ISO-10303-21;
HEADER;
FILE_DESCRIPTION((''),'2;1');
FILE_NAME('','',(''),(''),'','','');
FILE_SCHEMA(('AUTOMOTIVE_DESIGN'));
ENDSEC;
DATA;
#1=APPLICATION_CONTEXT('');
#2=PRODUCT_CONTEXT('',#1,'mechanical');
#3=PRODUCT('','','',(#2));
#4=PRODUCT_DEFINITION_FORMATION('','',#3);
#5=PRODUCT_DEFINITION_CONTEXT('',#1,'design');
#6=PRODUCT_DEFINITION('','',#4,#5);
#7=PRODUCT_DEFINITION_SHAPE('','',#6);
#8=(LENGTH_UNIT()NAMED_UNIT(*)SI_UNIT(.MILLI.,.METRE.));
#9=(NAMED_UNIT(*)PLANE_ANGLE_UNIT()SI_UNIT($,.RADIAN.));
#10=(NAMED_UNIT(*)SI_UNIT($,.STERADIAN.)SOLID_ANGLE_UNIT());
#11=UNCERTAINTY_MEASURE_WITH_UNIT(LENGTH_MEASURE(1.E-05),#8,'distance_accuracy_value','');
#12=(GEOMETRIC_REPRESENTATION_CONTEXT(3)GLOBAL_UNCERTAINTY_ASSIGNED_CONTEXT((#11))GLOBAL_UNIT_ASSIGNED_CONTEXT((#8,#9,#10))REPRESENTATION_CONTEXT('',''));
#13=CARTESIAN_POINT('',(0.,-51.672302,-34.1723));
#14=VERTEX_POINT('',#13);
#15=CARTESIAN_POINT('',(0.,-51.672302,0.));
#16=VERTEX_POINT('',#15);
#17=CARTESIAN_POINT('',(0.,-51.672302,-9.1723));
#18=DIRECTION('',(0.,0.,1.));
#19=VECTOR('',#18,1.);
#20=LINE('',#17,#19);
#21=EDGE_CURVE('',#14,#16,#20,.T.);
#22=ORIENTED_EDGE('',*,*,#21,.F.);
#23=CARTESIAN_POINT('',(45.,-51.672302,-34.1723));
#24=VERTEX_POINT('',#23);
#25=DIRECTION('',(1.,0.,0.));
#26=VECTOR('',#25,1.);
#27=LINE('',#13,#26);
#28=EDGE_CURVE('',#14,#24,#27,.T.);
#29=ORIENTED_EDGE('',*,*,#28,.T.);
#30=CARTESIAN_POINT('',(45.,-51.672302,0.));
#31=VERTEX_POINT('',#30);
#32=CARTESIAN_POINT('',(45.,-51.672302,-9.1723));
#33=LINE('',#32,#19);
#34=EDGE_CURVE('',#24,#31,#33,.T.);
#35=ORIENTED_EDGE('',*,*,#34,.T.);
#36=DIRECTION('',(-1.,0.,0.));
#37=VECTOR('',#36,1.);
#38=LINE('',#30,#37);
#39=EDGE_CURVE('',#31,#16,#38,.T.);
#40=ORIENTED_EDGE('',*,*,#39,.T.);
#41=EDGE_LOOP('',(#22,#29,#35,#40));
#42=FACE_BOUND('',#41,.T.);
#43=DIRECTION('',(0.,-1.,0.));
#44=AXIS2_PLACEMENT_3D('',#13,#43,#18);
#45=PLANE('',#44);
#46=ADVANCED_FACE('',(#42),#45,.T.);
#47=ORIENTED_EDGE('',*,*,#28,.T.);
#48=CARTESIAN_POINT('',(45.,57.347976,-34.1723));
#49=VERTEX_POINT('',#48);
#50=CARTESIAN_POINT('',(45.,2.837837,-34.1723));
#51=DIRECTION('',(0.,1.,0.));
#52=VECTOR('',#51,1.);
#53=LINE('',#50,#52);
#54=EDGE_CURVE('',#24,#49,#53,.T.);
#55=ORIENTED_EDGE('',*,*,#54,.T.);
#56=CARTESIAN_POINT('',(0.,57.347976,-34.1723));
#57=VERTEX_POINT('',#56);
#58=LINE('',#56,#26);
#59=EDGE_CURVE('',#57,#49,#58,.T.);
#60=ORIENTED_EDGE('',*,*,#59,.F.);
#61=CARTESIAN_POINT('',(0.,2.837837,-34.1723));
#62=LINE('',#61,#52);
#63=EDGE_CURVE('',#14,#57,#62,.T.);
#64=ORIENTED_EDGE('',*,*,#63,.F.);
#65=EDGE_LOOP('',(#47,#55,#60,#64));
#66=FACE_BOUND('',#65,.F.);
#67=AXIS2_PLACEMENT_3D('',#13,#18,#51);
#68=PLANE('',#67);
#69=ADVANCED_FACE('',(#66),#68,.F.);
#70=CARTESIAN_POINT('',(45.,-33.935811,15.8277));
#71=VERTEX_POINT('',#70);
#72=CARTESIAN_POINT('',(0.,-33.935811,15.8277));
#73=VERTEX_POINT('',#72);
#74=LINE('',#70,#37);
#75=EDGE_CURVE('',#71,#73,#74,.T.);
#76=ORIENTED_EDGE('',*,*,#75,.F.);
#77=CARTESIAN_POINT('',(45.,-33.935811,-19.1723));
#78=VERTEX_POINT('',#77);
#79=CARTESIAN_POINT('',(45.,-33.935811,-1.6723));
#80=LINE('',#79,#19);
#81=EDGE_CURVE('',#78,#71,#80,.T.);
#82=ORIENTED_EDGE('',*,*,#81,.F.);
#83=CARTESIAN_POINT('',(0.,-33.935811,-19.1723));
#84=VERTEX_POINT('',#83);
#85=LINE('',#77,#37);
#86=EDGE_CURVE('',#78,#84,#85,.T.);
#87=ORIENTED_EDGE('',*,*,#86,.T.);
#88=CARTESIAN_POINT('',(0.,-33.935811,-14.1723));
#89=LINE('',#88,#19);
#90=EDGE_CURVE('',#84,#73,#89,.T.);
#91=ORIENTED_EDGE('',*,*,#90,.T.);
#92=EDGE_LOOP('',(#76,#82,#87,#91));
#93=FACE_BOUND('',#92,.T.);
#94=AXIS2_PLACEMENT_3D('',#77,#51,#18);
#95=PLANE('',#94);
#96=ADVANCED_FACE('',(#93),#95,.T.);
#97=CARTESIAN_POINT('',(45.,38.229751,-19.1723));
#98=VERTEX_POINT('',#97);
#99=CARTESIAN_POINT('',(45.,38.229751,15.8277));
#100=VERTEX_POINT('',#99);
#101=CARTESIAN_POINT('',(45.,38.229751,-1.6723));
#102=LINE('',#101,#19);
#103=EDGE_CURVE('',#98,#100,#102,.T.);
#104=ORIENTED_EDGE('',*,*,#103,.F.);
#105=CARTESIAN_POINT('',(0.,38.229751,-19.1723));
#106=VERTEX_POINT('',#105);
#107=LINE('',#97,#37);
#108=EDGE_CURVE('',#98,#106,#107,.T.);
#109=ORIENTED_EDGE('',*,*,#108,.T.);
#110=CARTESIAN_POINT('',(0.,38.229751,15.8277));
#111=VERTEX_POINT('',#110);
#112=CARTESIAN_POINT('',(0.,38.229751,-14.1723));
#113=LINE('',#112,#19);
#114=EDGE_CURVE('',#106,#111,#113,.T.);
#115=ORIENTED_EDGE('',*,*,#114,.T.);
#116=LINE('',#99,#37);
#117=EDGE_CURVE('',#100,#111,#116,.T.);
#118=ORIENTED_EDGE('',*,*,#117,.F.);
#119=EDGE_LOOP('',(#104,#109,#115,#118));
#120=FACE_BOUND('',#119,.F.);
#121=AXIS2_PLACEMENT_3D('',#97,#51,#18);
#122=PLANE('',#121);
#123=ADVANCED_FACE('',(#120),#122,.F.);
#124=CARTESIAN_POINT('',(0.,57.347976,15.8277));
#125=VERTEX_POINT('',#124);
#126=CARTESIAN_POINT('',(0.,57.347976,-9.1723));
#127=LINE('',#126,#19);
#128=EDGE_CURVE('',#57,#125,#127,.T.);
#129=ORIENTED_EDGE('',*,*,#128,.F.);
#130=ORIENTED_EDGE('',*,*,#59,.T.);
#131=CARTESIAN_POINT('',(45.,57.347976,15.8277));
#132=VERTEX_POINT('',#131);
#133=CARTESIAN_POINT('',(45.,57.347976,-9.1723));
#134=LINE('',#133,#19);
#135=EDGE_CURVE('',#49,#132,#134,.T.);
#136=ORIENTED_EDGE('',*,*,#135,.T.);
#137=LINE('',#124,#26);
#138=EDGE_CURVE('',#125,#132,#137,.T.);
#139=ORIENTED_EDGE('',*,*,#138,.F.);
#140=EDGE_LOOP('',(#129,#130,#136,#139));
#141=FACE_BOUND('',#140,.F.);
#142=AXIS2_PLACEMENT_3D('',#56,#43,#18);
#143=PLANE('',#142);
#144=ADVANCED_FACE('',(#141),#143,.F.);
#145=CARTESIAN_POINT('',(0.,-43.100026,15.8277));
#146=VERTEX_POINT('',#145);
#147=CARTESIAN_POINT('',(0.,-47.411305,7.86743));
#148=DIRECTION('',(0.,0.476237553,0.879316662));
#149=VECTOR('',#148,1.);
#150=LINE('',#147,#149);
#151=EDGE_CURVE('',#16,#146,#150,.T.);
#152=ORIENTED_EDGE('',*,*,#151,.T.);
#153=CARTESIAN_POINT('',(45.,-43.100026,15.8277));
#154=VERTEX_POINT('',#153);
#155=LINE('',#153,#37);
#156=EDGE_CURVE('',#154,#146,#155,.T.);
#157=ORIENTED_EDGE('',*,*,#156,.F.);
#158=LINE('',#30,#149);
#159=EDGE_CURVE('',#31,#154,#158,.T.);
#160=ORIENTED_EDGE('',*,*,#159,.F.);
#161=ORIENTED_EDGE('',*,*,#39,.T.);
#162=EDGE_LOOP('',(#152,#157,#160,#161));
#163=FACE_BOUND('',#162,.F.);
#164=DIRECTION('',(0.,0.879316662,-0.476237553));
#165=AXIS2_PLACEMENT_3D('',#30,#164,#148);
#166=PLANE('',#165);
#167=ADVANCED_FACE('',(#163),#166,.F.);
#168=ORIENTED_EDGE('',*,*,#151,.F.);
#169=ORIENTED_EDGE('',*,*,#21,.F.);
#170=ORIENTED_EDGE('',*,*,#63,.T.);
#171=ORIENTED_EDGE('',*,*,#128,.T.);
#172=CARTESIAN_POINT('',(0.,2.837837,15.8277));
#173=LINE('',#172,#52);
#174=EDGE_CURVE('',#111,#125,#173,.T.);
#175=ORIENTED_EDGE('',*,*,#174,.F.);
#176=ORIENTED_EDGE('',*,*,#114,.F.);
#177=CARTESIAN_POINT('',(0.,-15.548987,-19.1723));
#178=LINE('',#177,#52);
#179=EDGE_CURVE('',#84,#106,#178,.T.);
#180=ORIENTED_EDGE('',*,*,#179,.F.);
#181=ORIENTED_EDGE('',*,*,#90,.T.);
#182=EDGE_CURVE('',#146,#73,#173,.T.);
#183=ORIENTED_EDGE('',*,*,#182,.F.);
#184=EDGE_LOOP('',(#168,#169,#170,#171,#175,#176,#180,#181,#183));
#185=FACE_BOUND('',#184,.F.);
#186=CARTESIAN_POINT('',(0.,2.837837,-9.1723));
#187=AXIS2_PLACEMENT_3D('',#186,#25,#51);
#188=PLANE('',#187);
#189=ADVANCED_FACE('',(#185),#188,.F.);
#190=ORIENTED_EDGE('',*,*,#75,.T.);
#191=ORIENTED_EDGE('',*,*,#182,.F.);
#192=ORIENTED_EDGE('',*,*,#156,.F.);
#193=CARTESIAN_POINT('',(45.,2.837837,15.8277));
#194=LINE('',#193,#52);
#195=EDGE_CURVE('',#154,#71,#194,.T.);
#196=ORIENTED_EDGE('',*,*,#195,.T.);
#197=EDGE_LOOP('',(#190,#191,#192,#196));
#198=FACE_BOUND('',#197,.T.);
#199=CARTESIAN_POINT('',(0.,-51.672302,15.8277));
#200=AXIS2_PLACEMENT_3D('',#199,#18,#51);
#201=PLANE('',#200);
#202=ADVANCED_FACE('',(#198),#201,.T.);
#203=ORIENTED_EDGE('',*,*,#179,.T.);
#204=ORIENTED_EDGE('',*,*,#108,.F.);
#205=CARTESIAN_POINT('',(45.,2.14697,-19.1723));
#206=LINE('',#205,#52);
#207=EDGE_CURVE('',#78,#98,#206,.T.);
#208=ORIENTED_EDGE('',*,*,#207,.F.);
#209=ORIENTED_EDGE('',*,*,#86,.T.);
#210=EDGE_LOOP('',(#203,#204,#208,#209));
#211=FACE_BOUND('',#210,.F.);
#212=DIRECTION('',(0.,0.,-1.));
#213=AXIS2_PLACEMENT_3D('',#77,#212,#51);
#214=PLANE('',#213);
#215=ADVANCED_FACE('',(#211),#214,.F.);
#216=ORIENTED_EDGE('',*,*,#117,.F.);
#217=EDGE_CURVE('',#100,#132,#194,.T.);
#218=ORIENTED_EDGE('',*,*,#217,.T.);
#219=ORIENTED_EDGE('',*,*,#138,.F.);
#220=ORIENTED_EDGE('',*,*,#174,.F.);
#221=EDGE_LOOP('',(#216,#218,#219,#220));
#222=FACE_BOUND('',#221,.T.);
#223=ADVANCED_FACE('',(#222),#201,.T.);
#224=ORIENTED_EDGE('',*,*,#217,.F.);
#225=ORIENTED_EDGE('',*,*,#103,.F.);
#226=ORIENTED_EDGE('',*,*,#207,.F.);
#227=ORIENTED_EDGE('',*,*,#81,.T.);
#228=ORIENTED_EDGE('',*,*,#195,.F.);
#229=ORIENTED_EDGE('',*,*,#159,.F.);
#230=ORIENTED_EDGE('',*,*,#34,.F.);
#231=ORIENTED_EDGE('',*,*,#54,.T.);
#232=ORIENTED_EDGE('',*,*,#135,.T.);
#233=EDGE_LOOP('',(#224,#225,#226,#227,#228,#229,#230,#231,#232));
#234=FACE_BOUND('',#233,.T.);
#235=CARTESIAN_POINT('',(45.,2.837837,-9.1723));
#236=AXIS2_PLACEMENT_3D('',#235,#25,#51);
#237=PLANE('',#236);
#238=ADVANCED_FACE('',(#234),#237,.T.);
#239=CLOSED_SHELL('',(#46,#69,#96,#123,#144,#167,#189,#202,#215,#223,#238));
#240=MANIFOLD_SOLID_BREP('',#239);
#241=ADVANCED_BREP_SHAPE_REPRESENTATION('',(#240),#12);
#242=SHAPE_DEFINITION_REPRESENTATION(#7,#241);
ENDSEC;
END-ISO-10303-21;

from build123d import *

# Parameters (mm, degrees)
F0_W     = 109.020278
F0_H     = 50
F1_DEPTH = 45
F3_DEPTH = 207
F4_W     = 72.165563
F4_H     = 35
F5_DEPTH = 228


with BuildPart() as f1:
    # F0 (on Right) → F1 (new body)
    with BuildSketch(Plane.YZ):
        with Locations((2.837837, -9.1723)):
            Rectangle(F0_W, F0_H)
    extrude(amount=F1_DEPTH)

    # F2 (on face) → F3 (cut)
    with BuildSketch(Plane.YZ.offset(45)):
        Polygon((-51.672302, 0), (-43.100026, 15.8277), (-51.672302, 15.8277), align=None)
    extrude(amount=-F3_DEPTH, mode=Mode.SUBTRACT)

    # F4 (on face) → F5 (cut)
    with BuildSketch(Plane.YZ.offset(45)):
        with Locations((2.14697, -1.6723)):
            Rectangle(F4_W, F4_H)
    extrude(amount=-F5_DEPTH, mode=Mode.SUBTRACT)


solid = f1.part
